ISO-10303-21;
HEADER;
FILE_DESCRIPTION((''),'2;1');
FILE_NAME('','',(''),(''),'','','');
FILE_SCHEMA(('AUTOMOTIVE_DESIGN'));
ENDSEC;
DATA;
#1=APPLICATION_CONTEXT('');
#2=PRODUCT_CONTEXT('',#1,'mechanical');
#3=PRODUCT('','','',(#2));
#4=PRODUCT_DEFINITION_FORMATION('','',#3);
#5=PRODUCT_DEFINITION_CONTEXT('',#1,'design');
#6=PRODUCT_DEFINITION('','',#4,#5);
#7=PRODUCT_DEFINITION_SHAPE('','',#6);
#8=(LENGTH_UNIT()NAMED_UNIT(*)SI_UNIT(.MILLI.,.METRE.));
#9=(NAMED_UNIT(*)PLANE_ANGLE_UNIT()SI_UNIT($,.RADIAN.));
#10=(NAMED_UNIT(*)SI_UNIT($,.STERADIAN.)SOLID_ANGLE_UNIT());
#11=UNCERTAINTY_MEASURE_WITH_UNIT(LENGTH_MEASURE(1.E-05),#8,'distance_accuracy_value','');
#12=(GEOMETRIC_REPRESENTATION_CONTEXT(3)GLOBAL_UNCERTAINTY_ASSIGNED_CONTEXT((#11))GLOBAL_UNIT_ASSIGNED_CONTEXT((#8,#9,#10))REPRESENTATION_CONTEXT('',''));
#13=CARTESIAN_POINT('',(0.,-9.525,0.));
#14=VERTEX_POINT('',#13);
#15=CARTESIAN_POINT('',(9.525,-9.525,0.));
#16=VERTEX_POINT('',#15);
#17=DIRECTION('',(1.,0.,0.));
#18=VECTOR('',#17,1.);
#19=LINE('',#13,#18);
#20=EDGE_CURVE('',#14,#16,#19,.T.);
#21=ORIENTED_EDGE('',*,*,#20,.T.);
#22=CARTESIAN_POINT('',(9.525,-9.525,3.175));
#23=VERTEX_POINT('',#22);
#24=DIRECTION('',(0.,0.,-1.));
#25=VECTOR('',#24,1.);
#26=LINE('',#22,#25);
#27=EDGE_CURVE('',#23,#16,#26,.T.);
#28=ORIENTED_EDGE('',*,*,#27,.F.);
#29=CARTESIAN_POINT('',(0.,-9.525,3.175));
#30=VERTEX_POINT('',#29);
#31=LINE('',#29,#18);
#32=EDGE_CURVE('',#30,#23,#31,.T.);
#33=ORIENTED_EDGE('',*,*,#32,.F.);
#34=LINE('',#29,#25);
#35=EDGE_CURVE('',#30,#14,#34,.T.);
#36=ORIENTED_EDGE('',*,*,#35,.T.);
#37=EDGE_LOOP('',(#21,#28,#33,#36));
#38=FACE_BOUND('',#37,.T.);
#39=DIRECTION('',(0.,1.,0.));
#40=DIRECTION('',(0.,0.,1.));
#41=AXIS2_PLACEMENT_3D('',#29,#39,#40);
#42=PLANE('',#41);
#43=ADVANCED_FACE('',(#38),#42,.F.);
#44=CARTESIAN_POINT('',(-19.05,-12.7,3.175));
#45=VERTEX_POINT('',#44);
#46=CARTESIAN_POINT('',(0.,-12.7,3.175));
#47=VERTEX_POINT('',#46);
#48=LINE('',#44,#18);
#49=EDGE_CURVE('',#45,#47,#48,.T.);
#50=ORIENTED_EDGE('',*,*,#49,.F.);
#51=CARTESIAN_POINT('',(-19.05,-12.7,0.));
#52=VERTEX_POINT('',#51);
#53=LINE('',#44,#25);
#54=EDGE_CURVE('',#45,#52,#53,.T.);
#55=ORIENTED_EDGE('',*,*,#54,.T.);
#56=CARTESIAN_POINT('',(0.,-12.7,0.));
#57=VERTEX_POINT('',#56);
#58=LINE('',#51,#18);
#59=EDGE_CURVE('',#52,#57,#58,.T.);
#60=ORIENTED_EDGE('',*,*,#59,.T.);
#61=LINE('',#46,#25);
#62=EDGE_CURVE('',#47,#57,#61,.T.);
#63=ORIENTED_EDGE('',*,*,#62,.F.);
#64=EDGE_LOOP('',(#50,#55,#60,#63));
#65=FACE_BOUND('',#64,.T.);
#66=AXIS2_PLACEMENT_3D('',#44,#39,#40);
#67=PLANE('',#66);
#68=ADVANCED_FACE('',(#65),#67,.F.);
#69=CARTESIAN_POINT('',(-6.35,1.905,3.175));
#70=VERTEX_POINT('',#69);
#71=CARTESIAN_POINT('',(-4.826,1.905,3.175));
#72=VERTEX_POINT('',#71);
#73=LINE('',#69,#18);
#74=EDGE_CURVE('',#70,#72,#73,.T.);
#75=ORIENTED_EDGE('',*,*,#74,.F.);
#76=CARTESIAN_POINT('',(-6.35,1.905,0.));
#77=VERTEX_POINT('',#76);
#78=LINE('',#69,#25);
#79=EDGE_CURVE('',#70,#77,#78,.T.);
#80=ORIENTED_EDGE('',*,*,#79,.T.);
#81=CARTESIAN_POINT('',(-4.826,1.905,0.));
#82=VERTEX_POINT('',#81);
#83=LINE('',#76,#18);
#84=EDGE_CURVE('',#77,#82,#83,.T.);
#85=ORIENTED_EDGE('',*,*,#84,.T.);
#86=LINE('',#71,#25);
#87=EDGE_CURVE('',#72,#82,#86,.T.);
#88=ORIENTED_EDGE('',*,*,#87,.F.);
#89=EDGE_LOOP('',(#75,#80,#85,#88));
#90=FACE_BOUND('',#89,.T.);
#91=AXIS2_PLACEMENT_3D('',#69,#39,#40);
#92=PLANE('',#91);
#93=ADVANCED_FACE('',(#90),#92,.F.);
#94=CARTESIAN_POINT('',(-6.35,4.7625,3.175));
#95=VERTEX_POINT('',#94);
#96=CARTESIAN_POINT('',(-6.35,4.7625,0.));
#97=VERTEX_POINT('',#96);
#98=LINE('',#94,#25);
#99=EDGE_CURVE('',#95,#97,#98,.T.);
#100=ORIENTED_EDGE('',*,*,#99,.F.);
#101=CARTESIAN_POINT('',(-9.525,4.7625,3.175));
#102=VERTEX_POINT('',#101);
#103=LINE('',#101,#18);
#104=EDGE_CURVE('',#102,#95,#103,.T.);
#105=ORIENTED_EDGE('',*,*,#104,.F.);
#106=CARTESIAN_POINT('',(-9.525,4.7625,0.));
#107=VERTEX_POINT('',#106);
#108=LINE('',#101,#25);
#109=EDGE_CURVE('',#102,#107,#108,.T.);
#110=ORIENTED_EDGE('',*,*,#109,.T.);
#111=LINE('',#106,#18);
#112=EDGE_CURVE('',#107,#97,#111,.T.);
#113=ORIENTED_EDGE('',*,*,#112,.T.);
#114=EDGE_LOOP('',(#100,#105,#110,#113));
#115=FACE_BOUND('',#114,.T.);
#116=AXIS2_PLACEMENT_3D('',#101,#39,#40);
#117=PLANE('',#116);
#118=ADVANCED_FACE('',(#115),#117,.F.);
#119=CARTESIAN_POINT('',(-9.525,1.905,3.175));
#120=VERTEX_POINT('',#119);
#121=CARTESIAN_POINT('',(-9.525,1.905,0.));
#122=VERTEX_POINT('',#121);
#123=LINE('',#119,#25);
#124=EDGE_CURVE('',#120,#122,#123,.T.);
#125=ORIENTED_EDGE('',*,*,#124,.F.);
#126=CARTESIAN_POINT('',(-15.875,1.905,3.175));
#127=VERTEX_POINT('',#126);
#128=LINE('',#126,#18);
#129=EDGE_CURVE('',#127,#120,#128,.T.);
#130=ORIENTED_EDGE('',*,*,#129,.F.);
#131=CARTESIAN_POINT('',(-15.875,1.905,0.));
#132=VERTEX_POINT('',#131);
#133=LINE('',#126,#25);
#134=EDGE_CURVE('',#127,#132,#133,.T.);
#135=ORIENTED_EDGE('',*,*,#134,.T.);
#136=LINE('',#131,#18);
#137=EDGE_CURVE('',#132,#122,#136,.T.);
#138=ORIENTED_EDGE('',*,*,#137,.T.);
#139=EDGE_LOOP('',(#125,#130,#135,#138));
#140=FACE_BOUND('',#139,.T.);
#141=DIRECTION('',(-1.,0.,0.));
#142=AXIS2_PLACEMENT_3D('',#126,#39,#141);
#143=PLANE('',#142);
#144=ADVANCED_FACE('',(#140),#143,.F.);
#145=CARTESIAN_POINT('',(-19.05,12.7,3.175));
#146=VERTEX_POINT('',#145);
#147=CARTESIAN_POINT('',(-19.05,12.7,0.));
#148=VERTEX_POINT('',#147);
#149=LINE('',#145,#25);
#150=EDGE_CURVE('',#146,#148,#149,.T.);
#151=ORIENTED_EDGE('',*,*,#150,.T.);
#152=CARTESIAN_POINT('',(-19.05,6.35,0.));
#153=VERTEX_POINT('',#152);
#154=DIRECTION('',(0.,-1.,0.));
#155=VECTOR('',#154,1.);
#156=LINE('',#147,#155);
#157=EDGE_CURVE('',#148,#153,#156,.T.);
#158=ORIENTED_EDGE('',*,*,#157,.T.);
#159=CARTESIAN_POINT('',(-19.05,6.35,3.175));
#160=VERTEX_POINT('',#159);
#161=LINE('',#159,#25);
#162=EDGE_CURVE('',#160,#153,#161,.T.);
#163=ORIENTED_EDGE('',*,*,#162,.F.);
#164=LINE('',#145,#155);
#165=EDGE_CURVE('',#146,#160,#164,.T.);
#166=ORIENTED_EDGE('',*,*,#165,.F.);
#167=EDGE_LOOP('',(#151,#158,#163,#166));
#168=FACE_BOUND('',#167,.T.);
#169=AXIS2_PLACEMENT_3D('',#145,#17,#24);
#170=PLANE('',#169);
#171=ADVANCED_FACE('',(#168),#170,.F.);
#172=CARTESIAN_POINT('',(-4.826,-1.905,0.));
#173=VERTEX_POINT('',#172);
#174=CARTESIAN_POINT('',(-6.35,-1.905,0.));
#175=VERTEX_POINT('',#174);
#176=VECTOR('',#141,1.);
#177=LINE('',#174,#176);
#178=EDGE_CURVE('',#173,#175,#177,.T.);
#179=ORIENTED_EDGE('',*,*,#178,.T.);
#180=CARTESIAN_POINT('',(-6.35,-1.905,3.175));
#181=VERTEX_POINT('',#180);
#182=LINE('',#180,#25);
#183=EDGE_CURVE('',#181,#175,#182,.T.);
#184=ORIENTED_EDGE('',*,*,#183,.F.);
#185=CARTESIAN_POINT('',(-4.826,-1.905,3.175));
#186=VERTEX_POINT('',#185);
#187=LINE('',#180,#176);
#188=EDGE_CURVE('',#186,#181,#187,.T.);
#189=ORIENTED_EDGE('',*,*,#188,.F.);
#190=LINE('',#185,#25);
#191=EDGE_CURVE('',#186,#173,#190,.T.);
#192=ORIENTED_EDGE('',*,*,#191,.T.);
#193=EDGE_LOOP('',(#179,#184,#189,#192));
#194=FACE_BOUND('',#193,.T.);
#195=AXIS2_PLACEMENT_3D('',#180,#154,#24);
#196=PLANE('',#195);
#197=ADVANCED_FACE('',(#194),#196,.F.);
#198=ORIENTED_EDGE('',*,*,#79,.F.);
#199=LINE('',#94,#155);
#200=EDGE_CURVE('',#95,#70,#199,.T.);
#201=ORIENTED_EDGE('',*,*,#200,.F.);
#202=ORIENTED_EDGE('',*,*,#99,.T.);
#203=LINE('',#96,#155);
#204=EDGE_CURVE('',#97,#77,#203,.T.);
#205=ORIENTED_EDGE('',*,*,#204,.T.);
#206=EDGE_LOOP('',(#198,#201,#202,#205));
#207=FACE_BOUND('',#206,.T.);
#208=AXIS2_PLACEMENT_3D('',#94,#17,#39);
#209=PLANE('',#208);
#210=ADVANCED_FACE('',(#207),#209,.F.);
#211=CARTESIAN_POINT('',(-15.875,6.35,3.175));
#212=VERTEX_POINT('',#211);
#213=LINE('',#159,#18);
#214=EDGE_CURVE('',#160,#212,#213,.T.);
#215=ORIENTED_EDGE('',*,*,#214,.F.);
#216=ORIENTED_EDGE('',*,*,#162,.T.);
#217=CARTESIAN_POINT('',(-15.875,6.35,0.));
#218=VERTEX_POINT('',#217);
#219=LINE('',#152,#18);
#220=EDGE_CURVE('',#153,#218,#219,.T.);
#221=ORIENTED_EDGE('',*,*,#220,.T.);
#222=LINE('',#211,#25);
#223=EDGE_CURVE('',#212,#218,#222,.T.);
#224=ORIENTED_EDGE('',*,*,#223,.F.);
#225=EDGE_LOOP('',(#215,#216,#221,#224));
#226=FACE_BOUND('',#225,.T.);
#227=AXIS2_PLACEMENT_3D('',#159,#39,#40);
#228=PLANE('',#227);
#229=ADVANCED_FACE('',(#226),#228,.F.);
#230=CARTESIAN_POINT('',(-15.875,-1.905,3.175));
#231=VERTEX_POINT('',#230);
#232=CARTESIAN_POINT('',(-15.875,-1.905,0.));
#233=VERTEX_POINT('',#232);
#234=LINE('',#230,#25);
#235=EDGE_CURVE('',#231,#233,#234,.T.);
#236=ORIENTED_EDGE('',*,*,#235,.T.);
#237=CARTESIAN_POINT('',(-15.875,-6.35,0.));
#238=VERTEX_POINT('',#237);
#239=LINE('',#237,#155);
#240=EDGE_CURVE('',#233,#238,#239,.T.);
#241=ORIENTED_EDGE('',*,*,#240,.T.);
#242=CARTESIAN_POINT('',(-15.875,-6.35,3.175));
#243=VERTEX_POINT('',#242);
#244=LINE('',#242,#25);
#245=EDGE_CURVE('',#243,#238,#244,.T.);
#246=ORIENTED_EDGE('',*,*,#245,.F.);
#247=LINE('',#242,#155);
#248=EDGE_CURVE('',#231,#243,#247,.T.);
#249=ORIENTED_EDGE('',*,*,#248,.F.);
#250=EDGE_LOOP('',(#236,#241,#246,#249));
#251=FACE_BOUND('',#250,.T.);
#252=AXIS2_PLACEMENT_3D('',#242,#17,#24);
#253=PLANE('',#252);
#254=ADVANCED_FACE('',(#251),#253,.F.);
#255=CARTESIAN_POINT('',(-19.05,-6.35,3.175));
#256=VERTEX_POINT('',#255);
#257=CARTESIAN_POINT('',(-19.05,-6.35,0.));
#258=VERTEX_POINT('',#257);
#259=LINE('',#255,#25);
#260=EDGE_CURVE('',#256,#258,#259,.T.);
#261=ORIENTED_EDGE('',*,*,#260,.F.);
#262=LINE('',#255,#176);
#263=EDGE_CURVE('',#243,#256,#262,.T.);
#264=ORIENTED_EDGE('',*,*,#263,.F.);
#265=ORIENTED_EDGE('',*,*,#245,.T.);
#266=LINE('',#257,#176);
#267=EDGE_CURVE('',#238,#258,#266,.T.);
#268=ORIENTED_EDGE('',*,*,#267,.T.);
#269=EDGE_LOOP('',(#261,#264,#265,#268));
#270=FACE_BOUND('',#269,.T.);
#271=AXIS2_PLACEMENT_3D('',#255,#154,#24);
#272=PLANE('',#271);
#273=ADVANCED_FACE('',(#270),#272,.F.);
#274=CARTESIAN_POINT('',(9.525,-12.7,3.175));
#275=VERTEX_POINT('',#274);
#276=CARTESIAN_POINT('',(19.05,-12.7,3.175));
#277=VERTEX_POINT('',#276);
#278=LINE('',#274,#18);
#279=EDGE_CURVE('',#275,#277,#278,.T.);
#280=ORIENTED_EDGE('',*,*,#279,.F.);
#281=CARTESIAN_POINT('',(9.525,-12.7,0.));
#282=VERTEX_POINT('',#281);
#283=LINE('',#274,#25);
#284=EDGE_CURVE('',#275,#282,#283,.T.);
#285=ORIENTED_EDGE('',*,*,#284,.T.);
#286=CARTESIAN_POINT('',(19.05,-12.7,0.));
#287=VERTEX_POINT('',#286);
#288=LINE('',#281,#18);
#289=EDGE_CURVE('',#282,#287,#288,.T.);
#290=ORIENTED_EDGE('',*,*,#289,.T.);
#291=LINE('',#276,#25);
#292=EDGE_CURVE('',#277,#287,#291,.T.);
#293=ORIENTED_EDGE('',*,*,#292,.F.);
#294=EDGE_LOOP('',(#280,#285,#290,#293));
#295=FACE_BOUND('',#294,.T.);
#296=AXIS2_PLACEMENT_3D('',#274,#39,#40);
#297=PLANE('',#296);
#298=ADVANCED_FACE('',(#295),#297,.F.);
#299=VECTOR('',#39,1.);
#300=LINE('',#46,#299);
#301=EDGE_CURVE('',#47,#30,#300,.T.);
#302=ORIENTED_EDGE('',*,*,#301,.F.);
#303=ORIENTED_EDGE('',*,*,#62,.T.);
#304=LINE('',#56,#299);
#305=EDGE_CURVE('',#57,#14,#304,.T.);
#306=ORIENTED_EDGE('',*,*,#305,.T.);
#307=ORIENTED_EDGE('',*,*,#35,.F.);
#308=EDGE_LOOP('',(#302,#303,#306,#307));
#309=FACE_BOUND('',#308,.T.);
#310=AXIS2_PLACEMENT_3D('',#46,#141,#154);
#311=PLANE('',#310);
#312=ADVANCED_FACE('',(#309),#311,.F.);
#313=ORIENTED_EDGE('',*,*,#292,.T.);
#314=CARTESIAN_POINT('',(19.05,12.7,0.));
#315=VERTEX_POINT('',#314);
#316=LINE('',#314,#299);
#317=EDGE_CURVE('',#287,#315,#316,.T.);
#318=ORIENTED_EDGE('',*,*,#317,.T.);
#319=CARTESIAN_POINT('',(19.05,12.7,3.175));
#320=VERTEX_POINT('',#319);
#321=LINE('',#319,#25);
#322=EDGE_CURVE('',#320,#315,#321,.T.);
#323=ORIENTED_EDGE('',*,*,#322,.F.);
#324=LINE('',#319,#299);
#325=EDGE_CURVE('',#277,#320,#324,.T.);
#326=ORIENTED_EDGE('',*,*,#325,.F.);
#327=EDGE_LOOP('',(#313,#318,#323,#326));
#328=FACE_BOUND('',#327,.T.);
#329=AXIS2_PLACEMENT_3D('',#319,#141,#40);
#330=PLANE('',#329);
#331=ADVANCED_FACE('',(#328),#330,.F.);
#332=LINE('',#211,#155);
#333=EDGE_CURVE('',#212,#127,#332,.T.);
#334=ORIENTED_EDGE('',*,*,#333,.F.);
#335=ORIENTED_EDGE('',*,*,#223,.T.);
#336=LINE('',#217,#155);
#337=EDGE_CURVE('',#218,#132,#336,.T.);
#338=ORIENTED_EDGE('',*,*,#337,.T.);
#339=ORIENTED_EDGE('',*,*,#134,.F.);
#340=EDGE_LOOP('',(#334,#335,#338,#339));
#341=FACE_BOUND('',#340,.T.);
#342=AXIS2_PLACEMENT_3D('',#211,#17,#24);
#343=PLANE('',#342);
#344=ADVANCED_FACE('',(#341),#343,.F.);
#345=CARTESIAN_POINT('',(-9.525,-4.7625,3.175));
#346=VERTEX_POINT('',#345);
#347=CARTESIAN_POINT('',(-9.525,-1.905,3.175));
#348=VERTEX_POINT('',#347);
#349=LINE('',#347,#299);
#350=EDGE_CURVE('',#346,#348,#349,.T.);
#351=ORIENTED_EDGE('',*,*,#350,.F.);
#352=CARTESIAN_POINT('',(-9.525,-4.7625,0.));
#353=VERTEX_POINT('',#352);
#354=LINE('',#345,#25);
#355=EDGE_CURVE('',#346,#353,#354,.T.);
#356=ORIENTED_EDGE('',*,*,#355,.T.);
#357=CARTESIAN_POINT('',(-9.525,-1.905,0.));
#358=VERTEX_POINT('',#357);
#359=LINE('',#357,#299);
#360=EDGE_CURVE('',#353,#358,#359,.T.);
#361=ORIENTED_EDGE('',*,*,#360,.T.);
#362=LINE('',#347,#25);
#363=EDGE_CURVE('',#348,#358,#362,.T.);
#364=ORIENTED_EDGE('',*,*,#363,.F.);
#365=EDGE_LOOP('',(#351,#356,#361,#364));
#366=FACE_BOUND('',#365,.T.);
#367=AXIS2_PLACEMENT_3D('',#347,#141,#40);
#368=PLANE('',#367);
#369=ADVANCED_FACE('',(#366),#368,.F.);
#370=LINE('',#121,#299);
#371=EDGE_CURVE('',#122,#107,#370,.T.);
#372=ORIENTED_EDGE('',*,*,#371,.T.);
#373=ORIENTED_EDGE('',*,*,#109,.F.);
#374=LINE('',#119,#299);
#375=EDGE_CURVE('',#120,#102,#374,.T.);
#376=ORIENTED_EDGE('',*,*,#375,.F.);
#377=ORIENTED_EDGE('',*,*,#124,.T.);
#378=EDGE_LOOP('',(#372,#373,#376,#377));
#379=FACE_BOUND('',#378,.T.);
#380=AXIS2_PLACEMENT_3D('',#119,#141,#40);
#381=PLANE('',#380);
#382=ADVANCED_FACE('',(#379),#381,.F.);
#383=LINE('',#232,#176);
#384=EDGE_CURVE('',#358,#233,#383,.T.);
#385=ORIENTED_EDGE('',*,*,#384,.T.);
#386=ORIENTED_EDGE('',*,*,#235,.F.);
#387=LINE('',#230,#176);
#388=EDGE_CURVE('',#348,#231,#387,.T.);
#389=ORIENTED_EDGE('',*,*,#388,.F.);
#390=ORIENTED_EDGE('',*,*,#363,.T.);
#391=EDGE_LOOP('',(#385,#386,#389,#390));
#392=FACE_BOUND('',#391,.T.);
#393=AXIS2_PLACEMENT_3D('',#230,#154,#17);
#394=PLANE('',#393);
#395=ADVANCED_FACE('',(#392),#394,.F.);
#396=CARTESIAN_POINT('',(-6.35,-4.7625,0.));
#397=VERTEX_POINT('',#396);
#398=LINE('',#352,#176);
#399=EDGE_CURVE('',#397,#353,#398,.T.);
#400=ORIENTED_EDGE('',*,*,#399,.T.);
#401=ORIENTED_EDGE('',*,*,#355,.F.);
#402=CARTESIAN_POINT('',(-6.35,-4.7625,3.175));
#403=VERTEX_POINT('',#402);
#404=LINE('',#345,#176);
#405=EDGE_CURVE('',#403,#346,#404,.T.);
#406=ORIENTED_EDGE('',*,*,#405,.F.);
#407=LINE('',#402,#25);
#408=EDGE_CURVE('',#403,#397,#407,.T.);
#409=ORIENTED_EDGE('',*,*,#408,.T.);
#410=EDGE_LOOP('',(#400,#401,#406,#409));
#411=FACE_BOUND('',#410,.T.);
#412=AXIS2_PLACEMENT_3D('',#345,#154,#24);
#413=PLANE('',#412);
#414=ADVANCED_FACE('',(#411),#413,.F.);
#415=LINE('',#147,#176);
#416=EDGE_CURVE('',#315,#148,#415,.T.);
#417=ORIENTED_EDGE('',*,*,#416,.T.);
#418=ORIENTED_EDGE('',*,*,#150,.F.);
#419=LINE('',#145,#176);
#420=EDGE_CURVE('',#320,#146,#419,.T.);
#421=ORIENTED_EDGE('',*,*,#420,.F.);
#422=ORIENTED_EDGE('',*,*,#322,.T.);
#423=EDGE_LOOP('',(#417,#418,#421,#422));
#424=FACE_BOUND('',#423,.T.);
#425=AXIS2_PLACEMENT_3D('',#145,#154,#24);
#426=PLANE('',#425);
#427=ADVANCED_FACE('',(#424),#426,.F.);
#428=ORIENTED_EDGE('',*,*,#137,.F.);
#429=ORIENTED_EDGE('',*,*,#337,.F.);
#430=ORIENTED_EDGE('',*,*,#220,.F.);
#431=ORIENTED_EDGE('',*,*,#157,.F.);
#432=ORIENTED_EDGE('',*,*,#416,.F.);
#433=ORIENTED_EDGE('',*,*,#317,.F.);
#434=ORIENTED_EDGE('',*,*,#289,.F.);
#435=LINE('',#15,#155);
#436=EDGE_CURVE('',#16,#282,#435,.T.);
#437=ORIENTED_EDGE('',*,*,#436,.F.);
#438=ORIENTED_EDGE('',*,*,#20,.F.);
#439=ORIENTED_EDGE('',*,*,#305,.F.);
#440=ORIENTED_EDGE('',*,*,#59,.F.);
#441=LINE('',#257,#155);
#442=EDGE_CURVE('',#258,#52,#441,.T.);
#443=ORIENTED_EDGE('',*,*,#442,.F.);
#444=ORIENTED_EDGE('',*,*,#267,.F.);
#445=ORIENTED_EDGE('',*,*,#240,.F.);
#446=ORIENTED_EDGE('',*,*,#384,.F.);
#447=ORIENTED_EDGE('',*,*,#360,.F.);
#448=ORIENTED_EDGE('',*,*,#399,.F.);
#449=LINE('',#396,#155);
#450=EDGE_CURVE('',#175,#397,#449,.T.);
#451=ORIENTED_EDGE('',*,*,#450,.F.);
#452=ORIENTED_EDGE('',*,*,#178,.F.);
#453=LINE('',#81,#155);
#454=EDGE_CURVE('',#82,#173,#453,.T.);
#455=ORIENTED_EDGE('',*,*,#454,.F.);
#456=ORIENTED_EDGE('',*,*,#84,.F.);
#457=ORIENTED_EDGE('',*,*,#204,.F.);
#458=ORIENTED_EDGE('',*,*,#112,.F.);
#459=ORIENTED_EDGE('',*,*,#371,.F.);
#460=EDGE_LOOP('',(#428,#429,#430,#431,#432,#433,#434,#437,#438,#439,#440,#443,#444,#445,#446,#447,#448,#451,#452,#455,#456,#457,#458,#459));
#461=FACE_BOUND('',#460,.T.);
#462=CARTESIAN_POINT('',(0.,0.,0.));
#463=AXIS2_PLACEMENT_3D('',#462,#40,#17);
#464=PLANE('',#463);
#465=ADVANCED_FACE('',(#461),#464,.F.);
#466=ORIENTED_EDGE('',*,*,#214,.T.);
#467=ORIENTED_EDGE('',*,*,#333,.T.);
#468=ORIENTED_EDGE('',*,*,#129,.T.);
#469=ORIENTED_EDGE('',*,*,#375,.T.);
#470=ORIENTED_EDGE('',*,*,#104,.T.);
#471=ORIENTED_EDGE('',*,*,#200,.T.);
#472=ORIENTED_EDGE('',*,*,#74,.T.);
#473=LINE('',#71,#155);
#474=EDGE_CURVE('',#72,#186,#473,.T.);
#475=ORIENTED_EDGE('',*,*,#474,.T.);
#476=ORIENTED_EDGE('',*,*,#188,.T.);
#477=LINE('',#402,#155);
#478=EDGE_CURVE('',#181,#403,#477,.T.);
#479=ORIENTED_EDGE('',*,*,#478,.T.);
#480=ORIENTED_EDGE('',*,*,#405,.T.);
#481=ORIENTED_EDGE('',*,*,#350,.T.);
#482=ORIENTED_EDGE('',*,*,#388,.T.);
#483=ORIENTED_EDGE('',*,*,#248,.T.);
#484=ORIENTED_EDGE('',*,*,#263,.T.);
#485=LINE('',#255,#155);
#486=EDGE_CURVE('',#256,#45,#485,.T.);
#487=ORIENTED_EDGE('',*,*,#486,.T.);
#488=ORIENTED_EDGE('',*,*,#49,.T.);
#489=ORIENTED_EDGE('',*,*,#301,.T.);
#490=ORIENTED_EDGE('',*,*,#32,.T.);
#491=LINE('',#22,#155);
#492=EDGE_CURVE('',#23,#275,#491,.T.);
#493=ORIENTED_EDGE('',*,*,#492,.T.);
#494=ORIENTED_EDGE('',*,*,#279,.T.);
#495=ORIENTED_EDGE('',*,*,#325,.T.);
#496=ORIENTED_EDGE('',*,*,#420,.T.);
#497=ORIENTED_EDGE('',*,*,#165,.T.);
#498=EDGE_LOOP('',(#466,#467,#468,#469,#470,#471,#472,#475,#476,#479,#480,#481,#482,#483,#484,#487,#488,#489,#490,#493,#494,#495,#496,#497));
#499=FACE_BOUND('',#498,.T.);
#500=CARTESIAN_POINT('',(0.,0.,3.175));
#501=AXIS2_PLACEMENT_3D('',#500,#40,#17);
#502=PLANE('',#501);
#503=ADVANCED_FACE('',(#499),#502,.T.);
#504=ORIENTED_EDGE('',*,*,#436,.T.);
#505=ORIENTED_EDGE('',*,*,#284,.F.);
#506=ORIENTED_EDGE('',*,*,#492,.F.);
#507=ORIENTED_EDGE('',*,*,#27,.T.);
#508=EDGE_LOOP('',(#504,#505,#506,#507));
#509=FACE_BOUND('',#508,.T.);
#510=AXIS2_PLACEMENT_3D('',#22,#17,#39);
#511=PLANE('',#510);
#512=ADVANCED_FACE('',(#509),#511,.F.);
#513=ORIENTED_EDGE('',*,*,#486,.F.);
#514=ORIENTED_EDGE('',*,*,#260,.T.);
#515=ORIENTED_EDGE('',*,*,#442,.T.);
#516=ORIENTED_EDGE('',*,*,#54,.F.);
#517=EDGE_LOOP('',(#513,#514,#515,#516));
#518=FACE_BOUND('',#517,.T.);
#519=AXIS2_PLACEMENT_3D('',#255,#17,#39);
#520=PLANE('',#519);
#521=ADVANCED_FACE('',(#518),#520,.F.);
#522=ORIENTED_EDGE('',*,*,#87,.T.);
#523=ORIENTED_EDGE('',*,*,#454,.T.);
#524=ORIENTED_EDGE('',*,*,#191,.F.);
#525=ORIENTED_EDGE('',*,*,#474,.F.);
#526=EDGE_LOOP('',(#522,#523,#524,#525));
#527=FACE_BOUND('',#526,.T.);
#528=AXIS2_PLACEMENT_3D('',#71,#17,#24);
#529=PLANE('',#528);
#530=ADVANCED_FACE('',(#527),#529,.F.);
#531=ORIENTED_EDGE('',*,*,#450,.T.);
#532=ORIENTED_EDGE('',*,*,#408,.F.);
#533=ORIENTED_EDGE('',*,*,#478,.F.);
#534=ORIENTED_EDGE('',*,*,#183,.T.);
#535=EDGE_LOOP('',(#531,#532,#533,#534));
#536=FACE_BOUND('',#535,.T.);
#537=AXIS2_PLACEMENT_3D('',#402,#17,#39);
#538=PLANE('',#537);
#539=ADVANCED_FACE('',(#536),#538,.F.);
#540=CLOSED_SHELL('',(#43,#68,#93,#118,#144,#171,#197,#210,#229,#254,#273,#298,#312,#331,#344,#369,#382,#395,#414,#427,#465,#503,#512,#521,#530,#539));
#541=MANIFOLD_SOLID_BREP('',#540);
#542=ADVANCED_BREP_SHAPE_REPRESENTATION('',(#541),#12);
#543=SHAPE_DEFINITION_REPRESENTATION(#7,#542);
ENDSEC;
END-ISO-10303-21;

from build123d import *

# Parameters (mm, degrees)
BOSS_EXTRUDE1_DEPTH = 3.175


with BuildPart() as part:
    # Sketch1 → Boss-Extrude1 (new body)
    with BuildSketch(Plane.XY):
        Polygon((-19.05, 12.7), (19.05, 12.7), (19.05, -12.7), (9.525, -12.7), (9.525, -9.525), (0, -9.525), (0, -12.7), (-19.05, -12.7), (-19.05, -6.35), (-15.875, -6.35), (-15.875, -1.905), (-9.525, -1.905), (-9.525, -4.7625), (-6.35, -4.7625), (-6.35, -1.905), (-4.826, -1.905), (-4.826, 1.905), (-6.35, 1.905), (-6.35, 4.7625), (-9.525, 4.7625), (-9.525, 1.905), (-15.875, 1.905), (-15.875, 6.35), (-19.05, 6.35), align=None)
    extrude(amount=BOSS_EXTRUDE1_DEPTH)


solid = part.part
